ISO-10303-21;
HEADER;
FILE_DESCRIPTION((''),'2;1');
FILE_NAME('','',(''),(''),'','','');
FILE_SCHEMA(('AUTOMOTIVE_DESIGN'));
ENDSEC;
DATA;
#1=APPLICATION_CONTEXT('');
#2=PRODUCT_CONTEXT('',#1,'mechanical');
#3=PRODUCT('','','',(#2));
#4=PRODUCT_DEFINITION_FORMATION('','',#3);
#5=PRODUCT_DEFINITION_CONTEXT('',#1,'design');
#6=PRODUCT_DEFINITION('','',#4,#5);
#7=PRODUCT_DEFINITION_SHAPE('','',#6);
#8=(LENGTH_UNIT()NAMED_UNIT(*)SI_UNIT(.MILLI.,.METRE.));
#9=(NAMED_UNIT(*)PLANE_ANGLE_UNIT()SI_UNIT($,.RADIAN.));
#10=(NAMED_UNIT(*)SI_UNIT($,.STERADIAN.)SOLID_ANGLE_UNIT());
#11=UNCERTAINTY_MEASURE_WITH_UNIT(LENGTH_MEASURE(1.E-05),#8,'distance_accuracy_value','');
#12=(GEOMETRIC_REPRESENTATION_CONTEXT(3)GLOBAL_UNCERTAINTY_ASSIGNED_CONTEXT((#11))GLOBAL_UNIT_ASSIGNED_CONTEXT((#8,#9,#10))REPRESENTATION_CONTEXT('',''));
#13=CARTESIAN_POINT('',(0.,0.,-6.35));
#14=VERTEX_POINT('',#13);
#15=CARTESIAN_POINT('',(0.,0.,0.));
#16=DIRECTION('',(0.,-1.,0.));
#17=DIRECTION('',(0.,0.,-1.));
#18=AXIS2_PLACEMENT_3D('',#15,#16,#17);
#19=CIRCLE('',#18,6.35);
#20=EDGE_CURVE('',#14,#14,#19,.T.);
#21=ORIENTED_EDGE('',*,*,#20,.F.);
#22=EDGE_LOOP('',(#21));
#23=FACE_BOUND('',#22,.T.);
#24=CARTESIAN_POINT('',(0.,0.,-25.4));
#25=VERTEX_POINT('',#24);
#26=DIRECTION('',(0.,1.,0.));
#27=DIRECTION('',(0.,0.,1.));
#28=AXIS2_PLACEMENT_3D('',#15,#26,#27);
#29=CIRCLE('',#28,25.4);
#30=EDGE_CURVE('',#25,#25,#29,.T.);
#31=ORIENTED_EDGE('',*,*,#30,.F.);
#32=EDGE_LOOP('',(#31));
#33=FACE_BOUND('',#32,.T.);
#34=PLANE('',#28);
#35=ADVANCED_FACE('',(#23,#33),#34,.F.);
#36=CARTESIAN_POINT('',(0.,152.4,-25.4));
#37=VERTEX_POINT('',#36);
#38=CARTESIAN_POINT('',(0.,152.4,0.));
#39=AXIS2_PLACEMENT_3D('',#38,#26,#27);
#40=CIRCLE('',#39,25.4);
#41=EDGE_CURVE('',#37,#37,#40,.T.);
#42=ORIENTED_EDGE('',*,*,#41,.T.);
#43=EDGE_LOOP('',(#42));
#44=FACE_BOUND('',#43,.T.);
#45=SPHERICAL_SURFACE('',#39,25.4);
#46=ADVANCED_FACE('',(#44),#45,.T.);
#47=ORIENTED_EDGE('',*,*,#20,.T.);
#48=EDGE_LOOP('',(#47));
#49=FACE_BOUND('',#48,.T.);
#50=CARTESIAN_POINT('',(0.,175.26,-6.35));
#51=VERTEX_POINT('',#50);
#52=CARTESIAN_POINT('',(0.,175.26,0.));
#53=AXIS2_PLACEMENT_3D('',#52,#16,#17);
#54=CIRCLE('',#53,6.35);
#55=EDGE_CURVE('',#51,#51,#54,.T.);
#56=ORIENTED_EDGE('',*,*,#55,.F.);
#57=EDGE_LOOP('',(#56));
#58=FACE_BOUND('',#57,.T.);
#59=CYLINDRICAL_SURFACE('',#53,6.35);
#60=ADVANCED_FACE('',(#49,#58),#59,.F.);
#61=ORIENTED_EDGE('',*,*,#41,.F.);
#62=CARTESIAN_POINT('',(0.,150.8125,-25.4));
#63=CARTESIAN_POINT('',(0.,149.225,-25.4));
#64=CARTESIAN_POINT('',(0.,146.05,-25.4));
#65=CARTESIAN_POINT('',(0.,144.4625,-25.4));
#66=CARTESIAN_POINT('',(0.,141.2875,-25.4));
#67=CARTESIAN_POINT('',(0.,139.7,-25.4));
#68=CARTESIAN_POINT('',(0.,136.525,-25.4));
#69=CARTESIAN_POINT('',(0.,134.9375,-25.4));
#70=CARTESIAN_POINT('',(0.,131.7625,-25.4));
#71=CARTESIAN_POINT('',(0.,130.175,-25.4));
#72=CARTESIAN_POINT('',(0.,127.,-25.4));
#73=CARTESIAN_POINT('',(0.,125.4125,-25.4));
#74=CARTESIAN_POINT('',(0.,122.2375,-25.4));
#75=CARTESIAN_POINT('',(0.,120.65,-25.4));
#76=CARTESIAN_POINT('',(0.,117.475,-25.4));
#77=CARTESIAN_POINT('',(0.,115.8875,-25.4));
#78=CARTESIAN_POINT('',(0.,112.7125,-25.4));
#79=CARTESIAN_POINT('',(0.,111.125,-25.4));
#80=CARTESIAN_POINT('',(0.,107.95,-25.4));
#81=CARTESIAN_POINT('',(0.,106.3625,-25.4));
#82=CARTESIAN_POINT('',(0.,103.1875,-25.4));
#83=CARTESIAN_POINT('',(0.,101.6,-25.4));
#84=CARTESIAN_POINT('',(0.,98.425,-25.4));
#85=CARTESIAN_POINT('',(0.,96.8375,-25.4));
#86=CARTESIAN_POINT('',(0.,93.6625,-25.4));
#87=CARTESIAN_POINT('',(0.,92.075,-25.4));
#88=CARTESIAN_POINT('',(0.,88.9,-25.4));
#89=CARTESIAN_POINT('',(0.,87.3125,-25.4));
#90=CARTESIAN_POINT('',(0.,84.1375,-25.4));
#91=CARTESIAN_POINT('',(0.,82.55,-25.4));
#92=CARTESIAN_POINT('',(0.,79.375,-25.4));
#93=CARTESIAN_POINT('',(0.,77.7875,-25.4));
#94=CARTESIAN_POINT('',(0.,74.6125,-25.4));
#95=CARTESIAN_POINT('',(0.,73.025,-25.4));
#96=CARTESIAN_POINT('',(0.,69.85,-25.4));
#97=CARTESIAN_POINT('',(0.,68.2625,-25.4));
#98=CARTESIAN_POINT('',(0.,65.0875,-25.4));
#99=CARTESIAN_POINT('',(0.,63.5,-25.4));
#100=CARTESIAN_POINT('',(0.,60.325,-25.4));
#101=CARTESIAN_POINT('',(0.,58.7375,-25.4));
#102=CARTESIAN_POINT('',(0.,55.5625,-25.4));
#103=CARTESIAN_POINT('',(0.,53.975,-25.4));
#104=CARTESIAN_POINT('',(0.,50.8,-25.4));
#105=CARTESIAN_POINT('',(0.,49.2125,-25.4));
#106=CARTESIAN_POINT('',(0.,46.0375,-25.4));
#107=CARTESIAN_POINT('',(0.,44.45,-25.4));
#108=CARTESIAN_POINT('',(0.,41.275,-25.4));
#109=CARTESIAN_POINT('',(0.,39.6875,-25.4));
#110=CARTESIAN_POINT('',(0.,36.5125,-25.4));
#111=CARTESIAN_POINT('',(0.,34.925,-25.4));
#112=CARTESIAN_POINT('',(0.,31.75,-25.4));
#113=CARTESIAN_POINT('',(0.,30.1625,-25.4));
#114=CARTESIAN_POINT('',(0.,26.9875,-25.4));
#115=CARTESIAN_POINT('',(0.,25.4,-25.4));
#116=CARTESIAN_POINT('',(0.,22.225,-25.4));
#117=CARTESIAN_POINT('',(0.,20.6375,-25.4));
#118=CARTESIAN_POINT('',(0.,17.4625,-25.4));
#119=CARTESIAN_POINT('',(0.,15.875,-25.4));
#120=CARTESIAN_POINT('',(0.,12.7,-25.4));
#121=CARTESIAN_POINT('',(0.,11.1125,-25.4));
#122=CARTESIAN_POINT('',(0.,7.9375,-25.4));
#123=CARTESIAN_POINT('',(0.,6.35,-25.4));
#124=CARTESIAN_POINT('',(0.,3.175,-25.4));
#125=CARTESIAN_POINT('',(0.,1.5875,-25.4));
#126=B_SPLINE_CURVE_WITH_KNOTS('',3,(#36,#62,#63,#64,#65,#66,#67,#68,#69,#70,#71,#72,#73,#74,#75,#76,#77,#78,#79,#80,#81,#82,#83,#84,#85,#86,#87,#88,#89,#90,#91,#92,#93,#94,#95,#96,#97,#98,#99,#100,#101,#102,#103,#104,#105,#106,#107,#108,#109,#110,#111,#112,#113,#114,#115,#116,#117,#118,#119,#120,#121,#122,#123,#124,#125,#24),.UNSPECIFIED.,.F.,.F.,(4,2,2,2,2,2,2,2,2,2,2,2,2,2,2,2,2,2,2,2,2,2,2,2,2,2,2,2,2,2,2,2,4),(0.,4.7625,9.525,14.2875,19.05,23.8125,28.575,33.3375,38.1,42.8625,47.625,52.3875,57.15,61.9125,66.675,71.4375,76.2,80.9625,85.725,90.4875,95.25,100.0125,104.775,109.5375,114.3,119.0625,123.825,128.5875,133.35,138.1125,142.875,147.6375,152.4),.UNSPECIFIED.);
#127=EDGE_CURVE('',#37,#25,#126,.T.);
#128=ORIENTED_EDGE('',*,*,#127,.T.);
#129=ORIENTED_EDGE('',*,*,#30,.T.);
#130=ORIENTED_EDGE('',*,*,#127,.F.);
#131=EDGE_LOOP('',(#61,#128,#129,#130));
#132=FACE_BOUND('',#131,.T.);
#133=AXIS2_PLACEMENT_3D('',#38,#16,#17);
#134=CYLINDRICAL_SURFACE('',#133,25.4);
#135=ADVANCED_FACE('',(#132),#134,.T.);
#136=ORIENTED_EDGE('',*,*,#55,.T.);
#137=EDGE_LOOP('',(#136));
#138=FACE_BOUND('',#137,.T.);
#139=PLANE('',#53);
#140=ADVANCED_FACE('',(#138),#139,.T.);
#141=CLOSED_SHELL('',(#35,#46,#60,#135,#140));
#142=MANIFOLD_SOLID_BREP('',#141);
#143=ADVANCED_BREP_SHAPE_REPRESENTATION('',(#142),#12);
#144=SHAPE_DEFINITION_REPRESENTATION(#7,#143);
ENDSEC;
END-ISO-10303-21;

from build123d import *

# Parameters (mm, degrees)
SKETCH1_R           = 25.4
BOSS_EXTRUDE1_DEPTH = 152.4
SKETCH4_R           = 6.35
CUT_EXTRUDE1_DEPTH  = 175.26


with BuildPart() as part:
    # Sketch1 → Boss-Extrude1 (new body)
    with BuildSketch(Plane(origin=(0, 0, 0), x_dir=(1, 0, 0), z_dir=(0, 1, 0))):
        with Locations(Location((0, 0, 0), (0, 0, 90))):
            Circle(SKETCH1_R)
    extrude(amount=BOSS_EXTRUDE1_DEPTH)

    # Sketch2 → Revolve1 (revolve)
    with BuildSketch(Plane(origin=(0, 152.4, 0), x_dir=(1, 0, 0), z_dir=(0, 1, 0))):
        with BuildLine():
            Line((0, 25.4), (0, -25.4))
            ThreePointArc((0, -25.4), (-25.4, 0), (0, 25.4))
        make_face()
    revolve(axis=Axis((0, 152.4, -25.4), (0, 0, 1)))

    # Sketch4 → Cut-Extrude1 (cut)
    with BuildSketch(Plane.XZ):
        with Locations(Location((0, 0, 0), (0, 0, 270))):
            Circle(SKETCH4_R)
    extrude(amount=-CUT_EXTRUDE1_DEPTH, mode=Mode.SUBTRACT)


solid = part.part
